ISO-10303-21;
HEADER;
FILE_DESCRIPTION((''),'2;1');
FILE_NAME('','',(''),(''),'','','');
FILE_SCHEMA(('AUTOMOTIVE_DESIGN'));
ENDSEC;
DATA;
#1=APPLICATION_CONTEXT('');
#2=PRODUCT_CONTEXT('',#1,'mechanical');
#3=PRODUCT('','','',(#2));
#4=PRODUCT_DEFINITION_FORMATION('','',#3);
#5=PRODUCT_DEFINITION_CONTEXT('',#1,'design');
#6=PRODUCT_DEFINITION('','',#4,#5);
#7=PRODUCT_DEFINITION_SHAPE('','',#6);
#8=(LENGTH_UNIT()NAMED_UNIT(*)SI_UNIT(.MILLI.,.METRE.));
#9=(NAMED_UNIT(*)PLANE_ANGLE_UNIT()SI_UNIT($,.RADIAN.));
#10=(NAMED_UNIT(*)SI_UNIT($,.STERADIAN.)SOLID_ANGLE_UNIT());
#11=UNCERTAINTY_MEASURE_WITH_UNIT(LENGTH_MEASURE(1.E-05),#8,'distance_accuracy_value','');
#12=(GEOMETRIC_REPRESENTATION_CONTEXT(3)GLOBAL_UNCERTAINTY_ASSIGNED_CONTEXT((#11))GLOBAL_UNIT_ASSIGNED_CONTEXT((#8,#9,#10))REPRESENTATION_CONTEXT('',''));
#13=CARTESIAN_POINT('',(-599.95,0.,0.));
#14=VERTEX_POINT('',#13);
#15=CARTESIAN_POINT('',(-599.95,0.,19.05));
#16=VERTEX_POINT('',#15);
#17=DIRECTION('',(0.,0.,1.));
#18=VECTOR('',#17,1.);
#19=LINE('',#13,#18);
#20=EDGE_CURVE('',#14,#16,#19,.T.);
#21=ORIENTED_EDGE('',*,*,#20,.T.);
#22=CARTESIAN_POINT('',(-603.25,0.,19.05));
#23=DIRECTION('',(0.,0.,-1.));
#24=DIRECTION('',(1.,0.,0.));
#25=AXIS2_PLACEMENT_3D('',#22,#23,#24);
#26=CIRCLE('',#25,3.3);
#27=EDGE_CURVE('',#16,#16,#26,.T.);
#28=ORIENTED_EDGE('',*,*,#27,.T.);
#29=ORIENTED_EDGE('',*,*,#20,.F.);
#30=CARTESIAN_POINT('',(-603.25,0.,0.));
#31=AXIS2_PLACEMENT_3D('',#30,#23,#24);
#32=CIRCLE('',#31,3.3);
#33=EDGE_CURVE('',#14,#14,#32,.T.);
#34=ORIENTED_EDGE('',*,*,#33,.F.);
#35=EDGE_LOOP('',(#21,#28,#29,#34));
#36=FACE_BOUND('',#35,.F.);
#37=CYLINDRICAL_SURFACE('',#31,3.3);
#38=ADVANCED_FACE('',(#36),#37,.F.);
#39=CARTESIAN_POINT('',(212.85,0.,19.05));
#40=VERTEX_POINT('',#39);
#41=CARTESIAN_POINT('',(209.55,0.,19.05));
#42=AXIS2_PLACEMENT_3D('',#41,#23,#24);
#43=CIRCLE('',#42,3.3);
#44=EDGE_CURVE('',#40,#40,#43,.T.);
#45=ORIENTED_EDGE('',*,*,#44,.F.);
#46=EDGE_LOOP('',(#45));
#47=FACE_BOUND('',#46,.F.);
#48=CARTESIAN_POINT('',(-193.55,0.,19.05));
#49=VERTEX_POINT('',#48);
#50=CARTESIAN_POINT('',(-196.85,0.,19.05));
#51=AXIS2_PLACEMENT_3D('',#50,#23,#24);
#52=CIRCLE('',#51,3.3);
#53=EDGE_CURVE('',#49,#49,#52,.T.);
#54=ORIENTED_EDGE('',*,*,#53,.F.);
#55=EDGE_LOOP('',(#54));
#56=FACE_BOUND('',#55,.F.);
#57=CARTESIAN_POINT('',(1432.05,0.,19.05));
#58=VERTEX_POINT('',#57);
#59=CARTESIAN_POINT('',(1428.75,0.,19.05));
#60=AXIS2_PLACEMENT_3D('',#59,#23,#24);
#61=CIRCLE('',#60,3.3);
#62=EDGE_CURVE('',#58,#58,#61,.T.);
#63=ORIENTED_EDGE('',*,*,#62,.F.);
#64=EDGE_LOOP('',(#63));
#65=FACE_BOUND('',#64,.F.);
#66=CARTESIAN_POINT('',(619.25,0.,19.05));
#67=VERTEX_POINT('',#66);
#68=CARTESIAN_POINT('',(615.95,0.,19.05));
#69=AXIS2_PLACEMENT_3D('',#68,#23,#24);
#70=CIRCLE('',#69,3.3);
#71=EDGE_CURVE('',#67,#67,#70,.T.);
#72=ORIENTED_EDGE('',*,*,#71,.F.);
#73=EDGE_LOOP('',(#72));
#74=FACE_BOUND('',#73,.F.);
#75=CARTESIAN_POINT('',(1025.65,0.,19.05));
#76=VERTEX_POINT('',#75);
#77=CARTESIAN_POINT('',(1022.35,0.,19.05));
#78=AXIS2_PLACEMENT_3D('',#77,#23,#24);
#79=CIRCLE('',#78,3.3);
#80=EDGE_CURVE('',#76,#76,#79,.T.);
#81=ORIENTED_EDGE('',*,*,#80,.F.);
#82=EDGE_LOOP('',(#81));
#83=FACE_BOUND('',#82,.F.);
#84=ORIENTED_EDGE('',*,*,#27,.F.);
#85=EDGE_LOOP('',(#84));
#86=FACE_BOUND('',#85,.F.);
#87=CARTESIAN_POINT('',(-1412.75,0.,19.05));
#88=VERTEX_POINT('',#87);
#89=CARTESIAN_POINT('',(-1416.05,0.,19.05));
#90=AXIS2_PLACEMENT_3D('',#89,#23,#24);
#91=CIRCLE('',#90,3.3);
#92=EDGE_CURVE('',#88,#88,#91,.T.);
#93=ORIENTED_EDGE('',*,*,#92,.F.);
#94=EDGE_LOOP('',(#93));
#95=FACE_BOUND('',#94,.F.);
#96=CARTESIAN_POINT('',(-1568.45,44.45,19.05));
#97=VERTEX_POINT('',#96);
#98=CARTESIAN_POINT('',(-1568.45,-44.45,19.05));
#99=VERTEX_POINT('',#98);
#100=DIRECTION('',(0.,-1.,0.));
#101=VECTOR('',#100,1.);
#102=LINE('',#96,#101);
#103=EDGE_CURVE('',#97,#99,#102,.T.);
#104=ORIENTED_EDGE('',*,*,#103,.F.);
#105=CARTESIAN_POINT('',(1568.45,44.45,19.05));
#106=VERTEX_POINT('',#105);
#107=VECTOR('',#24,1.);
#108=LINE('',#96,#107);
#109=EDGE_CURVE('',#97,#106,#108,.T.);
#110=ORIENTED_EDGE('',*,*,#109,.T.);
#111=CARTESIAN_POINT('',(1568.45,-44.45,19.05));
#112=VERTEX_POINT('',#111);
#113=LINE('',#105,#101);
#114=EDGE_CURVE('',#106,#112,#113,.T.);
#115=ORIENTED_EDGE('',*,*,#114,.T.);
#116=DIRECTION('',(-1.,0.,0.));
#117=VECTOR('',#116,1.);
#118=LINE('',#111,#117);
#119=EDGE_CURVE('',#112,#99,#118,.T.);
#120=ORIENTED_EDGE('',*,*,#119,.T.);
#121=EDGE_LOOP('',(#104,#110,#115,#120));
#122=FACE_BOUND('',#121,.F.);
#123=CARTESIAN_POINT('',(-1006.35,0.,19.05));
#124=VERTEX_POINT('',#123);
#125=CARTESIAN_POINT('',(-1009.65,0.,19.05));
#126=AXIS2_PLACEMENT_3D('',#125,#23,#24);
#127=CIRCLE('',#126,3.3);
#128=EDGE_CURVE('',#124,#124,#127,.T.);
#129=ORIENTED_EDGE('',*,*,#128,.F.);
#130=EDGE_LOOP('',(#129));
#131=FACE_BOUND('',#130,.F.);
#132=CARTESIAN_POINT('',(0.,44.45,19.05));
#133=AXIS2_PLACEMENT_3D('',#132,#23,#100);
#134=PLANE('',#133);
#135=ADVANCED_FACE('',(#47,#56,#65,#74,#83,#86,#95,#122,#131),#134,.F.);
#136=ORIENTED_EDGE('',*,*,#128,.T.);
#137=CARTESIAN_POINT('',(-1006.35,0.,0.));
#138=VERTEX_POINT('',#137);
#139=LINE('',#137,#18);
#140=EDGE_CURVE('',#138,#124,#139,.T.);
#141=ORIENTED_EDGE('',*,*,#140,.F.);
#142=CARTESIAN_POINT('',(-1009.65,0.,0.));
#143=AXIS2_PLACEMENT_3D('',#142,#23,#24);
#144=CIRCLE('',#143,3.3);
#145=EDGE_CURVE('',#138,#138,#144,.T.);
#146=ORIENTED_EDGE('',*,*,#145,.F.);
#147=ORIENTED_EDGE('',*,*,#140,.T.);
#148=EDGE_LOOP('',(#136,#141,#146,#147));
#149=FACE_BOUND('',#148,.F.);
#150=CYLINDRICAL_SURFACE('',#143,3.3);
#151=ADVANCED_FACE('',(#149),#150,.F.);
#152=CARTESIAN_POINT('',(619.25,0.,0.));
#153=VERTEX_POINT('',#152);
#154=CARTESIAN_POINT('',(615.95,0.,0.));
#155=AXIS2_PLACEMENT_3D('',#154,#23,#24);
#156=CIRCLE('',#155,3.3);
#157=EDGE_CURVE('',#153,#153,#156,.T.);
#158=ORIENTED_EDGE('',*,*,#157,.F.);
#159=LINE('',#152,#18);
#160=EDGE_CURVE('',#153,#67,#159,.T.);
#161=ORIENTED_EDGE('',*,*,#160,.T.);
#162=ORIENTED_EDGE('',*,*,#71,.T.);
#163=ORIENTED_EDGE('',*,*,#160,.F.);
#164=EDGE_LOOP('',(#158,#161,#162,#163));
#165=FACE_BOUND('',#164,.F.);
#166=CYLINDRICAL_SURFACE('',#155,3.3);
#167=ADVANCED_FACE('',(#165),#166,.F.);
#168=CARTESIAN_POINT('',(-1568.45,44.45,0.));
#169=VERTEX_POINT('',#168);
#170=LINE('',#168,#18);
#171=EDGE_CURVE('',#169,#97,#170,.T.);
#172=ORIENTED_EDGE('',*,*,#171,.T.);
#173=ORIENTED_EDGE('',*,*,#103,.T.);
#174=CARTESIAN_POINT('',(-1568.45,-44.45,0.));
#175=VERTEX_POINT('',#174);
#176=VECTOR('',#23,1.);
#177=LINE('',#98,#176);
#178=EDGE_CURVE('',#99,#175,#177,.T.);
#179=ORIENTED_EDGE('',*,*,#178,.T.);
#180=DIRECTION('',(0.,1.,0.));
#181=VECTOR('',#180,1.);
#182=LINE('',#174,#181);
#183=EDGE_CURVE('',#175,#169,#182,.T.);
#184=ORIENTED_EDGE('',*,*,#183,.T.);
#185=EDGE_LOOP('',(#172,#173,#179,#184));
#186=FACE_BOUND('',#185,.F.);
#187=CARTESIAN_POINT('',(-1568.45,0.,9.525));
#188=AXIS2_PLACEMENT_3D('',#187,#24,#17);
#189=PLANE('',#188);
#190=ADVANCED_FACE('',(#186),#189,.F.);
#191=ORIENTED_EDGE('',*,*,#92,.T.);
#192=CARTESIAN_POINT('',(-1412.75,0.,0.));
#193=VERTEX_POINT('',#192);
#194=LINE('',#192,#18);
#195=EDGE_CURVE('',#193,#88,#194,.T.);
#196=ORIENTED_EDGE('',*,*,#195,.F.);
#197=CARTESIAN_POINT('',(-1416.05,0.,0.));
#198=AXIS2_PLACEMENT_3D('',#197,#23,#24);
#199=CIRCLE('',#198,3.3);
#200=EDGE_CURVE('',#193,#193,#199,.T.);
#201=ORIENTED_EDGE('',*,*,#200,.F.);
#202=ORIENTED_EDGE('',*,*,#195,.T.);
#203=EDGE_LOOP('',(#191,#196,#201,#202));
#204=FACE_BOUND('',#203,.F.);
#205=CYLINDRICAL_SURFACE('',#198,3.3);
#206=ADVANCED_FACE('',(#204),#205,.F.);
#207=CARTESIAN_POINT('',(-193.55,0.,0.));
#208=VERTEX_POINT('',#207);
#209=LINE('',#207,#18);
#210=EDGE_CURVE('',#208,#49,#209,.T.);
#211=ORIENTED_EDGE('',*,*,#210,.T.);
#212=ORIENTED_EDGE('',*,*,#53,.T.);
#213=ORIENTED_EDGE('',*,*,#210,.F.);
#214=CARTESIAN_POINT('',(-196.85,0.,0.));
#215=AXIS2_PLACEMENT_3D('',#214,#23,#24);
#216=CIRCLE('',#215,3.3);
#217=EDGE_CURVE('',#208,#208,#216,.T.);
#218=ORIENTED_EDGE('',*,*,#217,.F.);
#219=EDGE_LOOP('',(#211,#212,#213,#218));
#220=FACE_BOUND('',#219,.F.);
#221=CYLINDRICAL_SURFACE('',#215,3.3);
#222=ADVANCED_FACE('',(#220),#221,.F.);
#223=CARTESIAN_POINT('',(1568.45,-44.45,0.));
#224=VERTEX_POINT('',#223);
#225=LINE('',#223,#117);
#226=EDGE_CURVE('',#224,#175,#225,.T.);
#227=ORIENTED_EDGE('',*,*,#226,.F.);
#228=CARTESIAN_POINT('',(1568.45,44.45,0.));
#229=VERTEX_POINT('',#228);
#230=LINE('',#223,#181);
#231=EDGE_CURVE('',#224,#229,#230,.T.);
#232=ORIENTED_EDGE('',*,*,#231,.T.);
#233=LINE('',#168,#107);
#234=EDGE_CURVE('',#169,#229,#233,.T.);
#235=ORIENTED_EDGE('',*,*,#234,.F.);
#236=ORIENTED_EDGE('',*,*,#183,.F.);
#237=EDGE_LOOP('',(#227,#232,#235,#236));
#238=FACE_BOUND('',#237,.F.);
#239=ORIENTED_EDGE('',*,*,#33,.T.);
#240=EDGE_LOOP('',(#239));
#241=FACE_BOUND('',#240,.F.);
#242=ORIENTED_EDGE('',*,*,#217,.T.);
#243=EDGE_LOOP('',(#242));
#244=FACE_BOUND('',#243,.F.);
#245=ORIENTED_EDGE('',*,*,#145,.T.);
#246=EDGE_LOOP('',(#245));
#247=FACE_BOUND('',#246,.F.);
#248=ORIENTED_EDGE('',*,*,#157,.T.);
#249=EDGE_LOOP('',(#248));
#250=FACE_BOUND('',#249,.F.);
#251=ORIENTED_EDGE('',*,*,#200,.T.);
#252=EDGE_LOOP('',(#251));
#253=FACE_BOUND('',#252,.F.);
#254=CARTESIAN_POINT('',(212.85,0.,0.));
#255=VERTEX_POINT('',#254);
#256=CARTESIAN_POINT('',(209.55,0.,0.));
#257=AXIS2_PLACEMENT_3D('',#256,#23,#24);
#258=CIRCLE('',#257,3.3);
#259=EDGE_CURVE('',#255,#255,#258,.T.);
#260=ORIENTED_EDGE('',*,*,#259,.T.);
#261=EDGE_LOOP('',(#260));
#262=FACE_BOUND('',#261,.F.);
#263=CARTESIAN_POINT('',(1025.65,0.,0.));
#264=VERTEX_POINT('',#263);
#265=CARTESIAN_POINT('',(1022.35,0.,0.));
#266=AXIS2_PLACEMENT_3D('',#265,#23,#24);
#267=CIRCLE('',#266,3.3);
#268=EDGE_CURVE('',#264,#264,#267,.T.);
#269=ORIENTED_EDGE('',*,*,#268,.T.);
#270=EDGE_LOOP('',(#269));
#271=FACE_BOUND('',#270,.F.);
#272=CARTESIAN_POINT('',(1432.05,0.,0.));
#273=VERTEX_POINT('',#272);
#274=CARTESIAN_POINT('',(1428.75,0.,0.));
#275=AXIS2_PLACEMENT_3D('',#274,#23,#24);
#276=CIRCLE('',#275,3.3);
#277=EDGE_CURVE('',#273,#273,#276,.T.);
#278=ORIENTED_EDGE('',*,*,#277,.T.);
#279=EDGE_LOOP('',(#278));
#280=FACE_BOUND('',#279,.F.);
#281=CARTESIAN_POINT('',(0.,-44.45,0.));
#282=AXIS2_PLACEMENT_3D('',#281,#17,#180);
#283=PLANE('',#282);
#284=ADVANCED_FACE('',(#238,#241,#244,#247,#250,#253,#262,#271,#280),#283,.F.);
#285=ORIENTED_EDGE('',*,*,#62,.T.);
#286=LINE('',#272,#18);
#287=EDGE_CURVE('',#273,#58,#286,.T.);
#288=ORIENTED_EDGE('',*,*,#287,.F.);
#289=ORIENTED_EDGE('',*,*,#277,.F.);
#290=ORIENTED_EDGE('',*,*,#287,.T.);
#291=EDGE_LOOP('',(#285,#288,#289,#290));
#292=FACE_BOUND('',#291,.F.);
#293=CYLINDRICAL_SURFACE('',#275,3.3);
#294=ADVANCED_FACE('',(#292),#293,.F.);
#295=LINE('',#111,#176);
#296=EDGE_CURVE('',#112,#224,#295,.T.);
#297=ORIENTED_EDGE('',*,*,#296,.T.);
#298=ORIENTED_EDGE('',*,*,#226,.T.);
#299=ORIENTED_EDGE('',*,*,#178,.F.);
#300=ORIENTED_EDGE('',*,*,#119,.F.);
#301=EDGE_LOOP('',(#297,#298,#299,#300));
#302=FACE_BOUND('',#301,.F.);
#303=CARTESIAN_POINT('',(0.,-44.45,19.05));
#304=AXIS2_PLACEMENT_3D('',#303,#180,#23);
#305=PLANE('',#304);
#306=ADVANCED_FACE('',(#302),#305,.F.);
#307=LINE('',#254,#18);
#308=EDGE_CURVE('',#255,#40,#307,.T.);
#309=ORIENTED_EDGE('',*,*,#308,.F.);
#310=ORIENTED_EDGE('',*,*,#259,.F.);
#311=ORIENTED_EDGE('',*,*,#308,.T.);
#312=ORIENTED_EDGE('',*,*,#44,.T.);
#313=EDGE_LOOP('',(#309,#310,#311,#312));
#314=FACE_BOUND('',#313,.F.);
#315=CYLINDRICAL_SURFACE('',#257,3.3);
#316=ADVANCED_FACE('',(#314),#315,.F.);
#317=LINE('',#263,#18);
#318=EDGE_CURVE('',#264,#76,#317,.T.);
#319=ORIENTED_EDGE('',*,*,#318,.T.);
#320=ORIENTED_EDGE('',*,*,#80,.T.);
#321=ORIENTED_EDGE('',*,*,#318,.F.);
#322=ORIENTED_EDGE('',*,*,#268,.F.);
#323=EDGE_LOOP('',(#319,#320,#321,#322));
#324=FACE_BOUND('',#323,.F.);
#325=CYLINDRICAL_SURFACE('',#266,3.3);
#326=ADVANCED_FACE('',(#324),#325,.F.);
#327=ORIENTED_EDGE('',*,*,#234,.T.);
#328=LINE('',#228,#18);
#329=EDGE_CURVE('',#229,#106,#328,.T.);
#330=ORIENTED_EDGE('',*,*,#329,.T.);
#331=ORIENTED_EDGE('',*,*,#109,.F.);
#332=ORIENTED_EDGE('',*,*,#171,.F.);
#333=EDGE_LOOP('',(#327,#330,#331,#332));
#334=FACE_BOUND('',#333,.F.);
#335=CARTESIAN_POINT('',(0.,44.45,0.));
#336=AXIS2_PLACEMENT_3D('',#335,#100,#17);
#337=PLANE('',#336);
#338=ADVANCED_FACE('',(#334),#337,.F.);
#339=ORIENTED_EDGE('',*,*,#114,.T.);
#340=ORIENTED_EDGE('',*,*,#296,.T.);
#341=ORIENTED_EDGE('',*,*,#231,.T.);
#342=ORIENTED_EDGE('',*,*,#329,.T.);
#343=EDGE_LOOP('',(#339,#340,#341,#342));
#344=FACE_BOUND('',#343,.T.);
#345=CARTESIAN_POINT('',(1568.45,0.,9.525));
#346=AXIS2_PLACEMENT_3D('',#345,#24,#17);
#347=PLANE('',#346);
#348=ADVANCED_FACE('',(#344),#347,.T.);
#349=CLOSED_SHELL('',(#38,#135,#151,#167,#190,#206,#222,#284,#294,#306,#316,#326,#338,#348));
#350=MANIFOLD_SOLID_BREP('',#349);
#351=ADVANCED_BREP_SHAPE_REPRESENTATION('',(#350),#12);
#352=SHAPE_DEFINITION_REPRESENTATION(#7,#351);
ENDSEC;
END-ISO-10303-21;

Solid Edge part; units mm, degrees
sketch "Sketch1" plane through (0, 0, 0) normal (1, 0, 0) x (0, 1, 0)
  line L0 (-44.45, 0) -> (44.45, 0)
  line L1 (44.45, 0) -> (44.45, 19.05)
  line L2 (44.45, 19.05) -> (-44.45, 19.05)
  line L3 (-44.45, 19.05) -> (-44.45, 0)
  dimension "D1" = 88.9
  dimension "D2" = 19.05
extrude "Protrusion1" add sketch "Sketch1" along normal mid plane 3136.9
sketch "Sketch2" plane through (0, 0, 0) normal (0, 0, -1) x (1, 0, 0)
  circle A0 centre (-1416.05, 0) radius 3.3
  dimension "D1" = 6.6
  dimension "D2" = 152.4
extrude "Cutout1" cut sketch "Sketch2" against normal through all
pattern_linear "Pattern1" count 8 spacing 406.4 along (1, 0, 0) of "Cutout1"
